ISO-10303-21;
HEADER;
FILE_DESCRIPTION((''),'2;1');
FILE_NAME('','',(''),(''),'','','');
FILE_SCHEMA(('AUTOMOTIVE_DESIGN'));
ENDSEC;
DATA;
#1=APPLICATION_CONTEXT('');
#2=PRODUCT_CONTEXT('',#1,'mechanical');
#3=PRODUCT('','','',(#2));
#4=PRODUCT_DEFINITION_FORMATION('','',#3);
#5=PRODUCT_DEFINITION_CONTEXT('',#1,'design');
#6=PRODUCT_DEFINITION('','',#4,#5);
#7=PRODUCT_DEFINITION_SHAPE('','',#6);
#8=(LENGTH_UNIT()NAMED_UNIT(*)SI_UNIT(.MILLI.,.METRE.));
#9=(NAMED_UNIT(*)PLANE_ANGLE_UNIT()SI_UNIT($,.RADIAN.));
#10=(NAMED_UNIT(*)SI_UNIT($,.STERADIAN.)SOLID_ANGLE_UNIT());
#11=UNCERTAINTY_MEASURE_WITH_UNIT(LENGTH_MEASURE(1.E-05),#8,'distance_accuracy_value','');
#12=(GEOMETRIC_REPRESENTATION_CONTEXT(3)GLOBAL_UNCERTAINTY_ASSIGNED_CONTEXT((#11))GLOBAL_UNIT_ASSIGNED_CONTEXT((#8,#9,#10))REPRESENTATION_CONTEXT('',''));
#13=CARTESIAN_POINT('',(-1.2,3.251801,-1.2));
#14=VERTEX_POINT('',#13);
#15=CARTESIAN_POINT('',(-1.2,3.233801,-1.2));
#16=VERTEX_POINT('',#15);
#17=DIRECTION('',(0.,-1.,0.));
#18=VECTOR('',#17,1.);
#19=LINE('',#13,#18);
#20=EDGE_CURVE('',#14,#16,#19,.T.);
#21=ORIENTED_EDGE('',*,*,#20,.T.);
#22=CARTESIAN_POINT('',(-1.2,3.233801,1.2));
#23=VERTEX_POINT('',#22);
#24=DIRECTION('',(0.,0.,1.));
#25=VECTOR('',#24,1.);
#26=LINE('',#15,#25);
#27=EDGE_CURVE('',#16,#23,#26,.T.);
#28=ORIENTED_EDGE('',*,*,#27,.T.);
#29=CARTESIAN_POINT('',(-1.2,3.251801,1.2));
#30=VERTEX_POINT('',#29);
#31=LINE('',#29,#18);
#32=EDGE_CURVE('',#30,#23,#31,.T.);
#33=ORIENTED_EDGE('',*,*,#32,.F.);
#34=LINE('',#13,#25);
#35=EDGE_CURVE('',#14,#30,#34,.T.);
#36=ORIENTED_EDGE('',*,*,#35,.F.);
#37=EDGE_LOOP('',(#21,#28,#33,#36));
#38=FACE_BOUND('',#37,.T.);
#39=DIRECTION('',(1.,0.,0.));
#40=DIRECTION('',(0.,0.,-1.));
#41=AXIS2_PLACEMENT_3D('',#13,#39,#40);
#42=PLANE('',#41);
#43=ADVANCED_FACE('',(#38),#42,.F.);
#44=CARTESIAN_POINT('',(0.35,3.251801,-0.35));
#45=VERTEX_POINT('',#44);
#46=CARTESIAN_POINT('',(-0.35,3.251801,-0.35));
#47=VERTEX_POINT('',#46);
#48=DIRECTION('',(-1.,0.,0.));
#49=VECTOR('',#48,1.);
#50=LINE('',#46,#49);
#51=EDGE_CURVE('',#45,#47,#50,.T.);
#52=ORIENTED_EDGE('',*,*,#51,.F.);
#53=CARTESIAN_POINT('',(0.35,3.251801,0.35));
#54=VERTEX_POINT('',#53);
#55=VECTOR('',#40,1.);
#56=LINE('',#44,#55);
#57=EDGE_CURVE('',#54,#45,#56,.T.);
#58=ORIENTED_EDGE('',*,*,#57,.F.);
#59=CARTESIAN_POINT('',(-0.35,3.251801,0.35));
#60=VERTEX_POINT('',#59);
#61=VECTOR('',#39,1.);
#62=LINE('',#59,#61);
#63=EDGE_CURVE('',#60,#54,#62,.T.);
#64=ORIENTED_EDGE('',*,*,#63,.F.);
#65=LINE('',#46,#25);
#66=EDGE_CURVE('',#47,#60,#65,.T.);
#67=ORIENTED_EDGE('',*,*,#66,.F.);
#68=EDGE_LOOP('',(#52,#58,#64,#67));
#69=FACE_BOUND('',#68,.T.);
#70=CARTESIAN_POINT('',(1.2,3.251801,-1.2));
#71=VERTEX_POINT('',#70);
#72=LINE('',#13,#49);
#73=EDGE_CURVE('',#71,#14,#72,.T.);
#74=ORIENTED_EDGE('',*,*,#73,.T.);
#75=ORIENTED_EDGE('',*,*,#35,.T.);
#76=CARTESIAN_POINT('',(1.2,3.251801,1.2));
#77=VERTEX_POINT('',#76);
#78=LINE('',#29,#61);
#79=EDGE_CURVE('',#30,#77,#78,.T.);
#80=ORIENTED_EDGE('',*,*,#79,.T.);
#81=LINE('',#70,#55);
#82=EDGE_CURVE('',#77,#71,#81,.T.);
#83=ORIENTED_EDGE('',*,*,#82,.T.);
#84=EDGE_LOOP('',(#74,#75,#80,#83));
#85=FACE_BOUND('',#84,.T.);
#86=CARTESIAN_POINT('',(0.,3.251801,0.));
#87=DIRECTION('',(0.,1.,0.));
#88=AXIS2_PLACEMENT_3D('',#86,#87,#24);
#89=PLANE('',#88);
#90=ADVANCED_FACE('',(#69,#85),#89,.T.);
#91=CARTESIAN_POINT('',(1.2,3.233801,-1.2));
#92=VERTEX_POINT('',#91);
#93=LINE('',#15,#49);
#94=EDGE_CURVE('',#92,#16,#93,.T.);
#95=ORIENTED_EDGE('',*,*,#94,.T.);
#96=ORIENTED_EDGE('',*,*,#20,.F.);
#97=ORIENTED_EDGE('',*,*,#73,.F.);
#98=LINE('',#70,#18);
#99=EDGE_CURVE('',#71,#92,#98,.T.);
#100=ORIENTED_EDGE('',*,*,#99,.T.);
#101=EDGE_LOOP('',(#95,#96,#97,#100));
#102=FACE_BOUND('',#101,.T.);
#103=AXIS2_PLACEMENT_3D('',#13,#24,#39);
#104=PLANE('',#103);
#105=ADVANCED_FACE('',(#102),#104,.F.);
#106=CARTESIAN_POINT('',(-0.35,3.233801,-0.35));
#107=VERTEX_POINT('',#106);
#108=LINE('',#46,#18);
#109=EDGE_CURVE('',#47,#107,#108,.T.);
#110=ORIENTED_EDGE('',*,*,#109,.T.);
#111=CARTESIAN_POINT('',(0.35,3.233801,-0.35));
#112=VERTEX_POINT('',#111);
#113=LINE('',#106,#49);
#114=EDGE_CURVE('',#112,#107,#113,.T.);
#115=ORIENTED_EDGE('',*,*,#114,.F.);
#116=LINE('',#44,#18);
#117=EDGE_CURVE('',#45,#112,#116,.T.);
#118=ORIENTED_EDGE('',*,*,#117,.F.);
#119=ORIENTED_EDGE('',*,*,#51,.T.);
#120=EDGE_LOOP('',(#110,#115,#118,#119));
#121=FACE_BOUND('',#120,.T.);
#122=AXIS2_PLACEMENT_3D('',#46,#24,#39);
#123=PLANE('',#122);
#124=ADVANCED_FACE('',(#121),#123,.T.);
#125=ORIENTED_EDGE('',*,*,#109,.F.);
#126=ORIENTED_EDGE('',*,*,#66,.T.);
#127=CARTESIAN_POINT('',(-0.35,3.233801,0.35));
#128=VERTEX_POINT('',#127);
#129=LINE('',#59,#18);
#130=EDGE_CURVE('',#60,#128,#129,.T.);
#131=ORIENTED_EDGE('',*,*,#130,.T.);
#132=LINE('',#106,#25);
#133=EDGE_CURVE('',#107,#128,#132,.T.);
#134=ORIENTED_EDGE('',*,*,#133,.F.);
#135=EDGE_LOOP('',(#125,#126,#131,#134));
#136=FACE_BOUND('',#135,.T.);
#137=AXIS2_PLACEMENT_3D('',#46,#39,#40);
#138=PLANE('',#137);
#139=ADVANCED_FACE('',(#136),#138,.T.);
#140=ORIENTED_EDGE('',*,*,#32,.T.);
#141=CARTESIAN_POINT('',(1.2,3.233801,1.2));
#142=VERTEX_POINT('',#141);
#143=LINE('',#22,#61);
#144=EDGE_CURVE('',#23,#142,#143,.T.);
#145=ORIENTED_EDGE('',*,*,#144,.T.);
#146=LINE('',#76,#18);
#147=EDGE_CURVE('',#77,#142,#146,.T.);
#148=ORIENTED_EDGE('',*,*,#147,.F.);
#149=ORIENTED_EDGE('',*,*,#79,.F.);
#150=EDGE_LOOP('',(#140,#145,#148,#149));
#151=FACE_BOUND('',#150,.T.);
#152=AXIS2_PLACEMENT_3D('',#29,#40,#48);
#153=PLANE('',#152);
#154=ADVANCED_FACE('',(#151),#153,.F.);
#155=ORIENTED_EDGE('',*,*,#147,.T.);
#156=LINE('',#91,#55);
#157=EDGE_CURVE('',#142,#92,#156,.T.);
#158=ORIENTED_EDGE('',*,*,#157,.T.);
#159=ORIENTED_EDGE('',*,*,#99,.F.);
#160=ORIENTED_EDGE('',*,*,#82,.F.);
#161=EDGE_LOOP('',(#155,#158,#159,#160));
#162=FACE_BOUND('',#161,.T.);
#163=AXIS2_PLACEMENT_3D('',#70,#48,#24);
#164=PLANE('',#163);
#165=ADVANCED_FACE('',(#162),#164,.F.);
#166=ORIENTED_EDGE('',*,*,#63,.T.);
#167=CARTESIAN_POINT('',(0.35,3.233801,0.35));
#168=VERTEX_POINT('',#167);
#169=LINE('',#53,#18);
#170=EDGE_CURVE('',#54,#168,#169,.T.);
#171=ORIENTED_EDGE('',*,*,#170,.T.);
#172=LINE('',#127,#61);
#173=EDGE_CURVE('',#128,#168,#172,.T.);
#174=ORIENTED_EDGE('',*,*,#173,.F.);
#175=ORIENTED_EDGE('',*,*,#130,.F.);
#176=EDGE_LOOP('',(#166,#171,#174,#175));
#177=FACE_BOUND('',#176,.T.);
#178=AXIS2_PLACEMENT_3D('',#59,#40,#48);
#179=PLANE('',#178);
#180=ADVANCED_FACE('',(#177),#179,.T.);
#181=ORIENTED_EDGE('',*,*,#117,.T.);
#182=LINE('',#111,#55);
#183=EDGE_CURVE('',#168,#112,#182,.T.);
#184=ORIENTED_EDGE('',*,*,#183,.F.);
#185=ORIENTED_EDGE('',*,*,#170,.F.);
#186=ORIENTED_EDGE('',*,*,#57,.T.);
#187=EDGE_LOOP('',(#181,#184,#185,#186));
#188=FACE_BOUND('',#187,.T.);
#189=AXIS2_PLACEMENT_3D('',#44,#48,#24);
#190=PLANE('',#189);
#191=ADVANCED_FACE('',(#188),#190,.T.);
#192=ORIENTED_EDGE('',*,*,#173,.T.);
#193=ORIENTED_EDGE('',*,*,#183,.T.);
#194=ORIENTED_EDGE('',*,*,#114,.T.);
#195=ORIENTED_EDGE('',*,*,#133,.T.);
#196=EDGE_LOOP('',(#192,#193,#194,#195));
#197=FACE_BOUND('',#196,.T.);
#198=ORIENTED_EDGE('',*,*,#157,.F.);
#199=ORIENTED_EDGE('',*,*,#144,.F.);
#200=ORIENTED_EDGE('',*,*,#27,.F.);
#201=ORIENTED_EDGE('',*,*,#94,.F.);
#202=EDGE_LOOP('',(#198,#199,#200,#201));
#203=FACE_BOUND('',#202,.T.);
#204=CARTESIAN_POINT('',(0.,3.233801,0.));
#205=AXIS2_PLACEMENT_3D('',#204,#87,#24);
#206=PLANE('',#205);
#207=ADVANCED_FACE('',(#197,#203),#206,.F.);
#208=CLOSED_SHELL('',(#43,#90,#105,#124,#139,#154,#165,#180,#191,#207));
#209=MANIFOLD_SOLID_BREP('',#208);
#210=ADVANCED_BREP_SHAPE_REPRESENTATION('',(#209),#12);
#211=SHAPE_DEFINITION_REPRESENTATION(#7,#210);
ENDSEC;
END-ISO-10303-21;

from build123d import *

# Parameters (mm, degrees)
SKETCH1_W           = 2.4
SKETCH1_H           = 2.4
SKETCH1_W_2         = 0.7
SKETCH1_H_2         = 0.7
BOSS_EXTRUDE1_DEPTH = 0.018


with BuildPart() as part:
    # Sketch1 → Boss-Extrude1 (new body)
    with BuildSketch(Plane(origin=(0, 3.23380127, 0), x_dir=(1, 0, 0), z_dir=(0, 1, 0))):
        Rectangle(SKETCH1_W, SKETCH1_H)
        Rectangle(SKETCH1_W_2, SKETCH1_H_2, mode=Mode.SUBTRACT)
    extrude(amount=BOSS_EXTRUDE1_DEPTH)


solid = part.part
